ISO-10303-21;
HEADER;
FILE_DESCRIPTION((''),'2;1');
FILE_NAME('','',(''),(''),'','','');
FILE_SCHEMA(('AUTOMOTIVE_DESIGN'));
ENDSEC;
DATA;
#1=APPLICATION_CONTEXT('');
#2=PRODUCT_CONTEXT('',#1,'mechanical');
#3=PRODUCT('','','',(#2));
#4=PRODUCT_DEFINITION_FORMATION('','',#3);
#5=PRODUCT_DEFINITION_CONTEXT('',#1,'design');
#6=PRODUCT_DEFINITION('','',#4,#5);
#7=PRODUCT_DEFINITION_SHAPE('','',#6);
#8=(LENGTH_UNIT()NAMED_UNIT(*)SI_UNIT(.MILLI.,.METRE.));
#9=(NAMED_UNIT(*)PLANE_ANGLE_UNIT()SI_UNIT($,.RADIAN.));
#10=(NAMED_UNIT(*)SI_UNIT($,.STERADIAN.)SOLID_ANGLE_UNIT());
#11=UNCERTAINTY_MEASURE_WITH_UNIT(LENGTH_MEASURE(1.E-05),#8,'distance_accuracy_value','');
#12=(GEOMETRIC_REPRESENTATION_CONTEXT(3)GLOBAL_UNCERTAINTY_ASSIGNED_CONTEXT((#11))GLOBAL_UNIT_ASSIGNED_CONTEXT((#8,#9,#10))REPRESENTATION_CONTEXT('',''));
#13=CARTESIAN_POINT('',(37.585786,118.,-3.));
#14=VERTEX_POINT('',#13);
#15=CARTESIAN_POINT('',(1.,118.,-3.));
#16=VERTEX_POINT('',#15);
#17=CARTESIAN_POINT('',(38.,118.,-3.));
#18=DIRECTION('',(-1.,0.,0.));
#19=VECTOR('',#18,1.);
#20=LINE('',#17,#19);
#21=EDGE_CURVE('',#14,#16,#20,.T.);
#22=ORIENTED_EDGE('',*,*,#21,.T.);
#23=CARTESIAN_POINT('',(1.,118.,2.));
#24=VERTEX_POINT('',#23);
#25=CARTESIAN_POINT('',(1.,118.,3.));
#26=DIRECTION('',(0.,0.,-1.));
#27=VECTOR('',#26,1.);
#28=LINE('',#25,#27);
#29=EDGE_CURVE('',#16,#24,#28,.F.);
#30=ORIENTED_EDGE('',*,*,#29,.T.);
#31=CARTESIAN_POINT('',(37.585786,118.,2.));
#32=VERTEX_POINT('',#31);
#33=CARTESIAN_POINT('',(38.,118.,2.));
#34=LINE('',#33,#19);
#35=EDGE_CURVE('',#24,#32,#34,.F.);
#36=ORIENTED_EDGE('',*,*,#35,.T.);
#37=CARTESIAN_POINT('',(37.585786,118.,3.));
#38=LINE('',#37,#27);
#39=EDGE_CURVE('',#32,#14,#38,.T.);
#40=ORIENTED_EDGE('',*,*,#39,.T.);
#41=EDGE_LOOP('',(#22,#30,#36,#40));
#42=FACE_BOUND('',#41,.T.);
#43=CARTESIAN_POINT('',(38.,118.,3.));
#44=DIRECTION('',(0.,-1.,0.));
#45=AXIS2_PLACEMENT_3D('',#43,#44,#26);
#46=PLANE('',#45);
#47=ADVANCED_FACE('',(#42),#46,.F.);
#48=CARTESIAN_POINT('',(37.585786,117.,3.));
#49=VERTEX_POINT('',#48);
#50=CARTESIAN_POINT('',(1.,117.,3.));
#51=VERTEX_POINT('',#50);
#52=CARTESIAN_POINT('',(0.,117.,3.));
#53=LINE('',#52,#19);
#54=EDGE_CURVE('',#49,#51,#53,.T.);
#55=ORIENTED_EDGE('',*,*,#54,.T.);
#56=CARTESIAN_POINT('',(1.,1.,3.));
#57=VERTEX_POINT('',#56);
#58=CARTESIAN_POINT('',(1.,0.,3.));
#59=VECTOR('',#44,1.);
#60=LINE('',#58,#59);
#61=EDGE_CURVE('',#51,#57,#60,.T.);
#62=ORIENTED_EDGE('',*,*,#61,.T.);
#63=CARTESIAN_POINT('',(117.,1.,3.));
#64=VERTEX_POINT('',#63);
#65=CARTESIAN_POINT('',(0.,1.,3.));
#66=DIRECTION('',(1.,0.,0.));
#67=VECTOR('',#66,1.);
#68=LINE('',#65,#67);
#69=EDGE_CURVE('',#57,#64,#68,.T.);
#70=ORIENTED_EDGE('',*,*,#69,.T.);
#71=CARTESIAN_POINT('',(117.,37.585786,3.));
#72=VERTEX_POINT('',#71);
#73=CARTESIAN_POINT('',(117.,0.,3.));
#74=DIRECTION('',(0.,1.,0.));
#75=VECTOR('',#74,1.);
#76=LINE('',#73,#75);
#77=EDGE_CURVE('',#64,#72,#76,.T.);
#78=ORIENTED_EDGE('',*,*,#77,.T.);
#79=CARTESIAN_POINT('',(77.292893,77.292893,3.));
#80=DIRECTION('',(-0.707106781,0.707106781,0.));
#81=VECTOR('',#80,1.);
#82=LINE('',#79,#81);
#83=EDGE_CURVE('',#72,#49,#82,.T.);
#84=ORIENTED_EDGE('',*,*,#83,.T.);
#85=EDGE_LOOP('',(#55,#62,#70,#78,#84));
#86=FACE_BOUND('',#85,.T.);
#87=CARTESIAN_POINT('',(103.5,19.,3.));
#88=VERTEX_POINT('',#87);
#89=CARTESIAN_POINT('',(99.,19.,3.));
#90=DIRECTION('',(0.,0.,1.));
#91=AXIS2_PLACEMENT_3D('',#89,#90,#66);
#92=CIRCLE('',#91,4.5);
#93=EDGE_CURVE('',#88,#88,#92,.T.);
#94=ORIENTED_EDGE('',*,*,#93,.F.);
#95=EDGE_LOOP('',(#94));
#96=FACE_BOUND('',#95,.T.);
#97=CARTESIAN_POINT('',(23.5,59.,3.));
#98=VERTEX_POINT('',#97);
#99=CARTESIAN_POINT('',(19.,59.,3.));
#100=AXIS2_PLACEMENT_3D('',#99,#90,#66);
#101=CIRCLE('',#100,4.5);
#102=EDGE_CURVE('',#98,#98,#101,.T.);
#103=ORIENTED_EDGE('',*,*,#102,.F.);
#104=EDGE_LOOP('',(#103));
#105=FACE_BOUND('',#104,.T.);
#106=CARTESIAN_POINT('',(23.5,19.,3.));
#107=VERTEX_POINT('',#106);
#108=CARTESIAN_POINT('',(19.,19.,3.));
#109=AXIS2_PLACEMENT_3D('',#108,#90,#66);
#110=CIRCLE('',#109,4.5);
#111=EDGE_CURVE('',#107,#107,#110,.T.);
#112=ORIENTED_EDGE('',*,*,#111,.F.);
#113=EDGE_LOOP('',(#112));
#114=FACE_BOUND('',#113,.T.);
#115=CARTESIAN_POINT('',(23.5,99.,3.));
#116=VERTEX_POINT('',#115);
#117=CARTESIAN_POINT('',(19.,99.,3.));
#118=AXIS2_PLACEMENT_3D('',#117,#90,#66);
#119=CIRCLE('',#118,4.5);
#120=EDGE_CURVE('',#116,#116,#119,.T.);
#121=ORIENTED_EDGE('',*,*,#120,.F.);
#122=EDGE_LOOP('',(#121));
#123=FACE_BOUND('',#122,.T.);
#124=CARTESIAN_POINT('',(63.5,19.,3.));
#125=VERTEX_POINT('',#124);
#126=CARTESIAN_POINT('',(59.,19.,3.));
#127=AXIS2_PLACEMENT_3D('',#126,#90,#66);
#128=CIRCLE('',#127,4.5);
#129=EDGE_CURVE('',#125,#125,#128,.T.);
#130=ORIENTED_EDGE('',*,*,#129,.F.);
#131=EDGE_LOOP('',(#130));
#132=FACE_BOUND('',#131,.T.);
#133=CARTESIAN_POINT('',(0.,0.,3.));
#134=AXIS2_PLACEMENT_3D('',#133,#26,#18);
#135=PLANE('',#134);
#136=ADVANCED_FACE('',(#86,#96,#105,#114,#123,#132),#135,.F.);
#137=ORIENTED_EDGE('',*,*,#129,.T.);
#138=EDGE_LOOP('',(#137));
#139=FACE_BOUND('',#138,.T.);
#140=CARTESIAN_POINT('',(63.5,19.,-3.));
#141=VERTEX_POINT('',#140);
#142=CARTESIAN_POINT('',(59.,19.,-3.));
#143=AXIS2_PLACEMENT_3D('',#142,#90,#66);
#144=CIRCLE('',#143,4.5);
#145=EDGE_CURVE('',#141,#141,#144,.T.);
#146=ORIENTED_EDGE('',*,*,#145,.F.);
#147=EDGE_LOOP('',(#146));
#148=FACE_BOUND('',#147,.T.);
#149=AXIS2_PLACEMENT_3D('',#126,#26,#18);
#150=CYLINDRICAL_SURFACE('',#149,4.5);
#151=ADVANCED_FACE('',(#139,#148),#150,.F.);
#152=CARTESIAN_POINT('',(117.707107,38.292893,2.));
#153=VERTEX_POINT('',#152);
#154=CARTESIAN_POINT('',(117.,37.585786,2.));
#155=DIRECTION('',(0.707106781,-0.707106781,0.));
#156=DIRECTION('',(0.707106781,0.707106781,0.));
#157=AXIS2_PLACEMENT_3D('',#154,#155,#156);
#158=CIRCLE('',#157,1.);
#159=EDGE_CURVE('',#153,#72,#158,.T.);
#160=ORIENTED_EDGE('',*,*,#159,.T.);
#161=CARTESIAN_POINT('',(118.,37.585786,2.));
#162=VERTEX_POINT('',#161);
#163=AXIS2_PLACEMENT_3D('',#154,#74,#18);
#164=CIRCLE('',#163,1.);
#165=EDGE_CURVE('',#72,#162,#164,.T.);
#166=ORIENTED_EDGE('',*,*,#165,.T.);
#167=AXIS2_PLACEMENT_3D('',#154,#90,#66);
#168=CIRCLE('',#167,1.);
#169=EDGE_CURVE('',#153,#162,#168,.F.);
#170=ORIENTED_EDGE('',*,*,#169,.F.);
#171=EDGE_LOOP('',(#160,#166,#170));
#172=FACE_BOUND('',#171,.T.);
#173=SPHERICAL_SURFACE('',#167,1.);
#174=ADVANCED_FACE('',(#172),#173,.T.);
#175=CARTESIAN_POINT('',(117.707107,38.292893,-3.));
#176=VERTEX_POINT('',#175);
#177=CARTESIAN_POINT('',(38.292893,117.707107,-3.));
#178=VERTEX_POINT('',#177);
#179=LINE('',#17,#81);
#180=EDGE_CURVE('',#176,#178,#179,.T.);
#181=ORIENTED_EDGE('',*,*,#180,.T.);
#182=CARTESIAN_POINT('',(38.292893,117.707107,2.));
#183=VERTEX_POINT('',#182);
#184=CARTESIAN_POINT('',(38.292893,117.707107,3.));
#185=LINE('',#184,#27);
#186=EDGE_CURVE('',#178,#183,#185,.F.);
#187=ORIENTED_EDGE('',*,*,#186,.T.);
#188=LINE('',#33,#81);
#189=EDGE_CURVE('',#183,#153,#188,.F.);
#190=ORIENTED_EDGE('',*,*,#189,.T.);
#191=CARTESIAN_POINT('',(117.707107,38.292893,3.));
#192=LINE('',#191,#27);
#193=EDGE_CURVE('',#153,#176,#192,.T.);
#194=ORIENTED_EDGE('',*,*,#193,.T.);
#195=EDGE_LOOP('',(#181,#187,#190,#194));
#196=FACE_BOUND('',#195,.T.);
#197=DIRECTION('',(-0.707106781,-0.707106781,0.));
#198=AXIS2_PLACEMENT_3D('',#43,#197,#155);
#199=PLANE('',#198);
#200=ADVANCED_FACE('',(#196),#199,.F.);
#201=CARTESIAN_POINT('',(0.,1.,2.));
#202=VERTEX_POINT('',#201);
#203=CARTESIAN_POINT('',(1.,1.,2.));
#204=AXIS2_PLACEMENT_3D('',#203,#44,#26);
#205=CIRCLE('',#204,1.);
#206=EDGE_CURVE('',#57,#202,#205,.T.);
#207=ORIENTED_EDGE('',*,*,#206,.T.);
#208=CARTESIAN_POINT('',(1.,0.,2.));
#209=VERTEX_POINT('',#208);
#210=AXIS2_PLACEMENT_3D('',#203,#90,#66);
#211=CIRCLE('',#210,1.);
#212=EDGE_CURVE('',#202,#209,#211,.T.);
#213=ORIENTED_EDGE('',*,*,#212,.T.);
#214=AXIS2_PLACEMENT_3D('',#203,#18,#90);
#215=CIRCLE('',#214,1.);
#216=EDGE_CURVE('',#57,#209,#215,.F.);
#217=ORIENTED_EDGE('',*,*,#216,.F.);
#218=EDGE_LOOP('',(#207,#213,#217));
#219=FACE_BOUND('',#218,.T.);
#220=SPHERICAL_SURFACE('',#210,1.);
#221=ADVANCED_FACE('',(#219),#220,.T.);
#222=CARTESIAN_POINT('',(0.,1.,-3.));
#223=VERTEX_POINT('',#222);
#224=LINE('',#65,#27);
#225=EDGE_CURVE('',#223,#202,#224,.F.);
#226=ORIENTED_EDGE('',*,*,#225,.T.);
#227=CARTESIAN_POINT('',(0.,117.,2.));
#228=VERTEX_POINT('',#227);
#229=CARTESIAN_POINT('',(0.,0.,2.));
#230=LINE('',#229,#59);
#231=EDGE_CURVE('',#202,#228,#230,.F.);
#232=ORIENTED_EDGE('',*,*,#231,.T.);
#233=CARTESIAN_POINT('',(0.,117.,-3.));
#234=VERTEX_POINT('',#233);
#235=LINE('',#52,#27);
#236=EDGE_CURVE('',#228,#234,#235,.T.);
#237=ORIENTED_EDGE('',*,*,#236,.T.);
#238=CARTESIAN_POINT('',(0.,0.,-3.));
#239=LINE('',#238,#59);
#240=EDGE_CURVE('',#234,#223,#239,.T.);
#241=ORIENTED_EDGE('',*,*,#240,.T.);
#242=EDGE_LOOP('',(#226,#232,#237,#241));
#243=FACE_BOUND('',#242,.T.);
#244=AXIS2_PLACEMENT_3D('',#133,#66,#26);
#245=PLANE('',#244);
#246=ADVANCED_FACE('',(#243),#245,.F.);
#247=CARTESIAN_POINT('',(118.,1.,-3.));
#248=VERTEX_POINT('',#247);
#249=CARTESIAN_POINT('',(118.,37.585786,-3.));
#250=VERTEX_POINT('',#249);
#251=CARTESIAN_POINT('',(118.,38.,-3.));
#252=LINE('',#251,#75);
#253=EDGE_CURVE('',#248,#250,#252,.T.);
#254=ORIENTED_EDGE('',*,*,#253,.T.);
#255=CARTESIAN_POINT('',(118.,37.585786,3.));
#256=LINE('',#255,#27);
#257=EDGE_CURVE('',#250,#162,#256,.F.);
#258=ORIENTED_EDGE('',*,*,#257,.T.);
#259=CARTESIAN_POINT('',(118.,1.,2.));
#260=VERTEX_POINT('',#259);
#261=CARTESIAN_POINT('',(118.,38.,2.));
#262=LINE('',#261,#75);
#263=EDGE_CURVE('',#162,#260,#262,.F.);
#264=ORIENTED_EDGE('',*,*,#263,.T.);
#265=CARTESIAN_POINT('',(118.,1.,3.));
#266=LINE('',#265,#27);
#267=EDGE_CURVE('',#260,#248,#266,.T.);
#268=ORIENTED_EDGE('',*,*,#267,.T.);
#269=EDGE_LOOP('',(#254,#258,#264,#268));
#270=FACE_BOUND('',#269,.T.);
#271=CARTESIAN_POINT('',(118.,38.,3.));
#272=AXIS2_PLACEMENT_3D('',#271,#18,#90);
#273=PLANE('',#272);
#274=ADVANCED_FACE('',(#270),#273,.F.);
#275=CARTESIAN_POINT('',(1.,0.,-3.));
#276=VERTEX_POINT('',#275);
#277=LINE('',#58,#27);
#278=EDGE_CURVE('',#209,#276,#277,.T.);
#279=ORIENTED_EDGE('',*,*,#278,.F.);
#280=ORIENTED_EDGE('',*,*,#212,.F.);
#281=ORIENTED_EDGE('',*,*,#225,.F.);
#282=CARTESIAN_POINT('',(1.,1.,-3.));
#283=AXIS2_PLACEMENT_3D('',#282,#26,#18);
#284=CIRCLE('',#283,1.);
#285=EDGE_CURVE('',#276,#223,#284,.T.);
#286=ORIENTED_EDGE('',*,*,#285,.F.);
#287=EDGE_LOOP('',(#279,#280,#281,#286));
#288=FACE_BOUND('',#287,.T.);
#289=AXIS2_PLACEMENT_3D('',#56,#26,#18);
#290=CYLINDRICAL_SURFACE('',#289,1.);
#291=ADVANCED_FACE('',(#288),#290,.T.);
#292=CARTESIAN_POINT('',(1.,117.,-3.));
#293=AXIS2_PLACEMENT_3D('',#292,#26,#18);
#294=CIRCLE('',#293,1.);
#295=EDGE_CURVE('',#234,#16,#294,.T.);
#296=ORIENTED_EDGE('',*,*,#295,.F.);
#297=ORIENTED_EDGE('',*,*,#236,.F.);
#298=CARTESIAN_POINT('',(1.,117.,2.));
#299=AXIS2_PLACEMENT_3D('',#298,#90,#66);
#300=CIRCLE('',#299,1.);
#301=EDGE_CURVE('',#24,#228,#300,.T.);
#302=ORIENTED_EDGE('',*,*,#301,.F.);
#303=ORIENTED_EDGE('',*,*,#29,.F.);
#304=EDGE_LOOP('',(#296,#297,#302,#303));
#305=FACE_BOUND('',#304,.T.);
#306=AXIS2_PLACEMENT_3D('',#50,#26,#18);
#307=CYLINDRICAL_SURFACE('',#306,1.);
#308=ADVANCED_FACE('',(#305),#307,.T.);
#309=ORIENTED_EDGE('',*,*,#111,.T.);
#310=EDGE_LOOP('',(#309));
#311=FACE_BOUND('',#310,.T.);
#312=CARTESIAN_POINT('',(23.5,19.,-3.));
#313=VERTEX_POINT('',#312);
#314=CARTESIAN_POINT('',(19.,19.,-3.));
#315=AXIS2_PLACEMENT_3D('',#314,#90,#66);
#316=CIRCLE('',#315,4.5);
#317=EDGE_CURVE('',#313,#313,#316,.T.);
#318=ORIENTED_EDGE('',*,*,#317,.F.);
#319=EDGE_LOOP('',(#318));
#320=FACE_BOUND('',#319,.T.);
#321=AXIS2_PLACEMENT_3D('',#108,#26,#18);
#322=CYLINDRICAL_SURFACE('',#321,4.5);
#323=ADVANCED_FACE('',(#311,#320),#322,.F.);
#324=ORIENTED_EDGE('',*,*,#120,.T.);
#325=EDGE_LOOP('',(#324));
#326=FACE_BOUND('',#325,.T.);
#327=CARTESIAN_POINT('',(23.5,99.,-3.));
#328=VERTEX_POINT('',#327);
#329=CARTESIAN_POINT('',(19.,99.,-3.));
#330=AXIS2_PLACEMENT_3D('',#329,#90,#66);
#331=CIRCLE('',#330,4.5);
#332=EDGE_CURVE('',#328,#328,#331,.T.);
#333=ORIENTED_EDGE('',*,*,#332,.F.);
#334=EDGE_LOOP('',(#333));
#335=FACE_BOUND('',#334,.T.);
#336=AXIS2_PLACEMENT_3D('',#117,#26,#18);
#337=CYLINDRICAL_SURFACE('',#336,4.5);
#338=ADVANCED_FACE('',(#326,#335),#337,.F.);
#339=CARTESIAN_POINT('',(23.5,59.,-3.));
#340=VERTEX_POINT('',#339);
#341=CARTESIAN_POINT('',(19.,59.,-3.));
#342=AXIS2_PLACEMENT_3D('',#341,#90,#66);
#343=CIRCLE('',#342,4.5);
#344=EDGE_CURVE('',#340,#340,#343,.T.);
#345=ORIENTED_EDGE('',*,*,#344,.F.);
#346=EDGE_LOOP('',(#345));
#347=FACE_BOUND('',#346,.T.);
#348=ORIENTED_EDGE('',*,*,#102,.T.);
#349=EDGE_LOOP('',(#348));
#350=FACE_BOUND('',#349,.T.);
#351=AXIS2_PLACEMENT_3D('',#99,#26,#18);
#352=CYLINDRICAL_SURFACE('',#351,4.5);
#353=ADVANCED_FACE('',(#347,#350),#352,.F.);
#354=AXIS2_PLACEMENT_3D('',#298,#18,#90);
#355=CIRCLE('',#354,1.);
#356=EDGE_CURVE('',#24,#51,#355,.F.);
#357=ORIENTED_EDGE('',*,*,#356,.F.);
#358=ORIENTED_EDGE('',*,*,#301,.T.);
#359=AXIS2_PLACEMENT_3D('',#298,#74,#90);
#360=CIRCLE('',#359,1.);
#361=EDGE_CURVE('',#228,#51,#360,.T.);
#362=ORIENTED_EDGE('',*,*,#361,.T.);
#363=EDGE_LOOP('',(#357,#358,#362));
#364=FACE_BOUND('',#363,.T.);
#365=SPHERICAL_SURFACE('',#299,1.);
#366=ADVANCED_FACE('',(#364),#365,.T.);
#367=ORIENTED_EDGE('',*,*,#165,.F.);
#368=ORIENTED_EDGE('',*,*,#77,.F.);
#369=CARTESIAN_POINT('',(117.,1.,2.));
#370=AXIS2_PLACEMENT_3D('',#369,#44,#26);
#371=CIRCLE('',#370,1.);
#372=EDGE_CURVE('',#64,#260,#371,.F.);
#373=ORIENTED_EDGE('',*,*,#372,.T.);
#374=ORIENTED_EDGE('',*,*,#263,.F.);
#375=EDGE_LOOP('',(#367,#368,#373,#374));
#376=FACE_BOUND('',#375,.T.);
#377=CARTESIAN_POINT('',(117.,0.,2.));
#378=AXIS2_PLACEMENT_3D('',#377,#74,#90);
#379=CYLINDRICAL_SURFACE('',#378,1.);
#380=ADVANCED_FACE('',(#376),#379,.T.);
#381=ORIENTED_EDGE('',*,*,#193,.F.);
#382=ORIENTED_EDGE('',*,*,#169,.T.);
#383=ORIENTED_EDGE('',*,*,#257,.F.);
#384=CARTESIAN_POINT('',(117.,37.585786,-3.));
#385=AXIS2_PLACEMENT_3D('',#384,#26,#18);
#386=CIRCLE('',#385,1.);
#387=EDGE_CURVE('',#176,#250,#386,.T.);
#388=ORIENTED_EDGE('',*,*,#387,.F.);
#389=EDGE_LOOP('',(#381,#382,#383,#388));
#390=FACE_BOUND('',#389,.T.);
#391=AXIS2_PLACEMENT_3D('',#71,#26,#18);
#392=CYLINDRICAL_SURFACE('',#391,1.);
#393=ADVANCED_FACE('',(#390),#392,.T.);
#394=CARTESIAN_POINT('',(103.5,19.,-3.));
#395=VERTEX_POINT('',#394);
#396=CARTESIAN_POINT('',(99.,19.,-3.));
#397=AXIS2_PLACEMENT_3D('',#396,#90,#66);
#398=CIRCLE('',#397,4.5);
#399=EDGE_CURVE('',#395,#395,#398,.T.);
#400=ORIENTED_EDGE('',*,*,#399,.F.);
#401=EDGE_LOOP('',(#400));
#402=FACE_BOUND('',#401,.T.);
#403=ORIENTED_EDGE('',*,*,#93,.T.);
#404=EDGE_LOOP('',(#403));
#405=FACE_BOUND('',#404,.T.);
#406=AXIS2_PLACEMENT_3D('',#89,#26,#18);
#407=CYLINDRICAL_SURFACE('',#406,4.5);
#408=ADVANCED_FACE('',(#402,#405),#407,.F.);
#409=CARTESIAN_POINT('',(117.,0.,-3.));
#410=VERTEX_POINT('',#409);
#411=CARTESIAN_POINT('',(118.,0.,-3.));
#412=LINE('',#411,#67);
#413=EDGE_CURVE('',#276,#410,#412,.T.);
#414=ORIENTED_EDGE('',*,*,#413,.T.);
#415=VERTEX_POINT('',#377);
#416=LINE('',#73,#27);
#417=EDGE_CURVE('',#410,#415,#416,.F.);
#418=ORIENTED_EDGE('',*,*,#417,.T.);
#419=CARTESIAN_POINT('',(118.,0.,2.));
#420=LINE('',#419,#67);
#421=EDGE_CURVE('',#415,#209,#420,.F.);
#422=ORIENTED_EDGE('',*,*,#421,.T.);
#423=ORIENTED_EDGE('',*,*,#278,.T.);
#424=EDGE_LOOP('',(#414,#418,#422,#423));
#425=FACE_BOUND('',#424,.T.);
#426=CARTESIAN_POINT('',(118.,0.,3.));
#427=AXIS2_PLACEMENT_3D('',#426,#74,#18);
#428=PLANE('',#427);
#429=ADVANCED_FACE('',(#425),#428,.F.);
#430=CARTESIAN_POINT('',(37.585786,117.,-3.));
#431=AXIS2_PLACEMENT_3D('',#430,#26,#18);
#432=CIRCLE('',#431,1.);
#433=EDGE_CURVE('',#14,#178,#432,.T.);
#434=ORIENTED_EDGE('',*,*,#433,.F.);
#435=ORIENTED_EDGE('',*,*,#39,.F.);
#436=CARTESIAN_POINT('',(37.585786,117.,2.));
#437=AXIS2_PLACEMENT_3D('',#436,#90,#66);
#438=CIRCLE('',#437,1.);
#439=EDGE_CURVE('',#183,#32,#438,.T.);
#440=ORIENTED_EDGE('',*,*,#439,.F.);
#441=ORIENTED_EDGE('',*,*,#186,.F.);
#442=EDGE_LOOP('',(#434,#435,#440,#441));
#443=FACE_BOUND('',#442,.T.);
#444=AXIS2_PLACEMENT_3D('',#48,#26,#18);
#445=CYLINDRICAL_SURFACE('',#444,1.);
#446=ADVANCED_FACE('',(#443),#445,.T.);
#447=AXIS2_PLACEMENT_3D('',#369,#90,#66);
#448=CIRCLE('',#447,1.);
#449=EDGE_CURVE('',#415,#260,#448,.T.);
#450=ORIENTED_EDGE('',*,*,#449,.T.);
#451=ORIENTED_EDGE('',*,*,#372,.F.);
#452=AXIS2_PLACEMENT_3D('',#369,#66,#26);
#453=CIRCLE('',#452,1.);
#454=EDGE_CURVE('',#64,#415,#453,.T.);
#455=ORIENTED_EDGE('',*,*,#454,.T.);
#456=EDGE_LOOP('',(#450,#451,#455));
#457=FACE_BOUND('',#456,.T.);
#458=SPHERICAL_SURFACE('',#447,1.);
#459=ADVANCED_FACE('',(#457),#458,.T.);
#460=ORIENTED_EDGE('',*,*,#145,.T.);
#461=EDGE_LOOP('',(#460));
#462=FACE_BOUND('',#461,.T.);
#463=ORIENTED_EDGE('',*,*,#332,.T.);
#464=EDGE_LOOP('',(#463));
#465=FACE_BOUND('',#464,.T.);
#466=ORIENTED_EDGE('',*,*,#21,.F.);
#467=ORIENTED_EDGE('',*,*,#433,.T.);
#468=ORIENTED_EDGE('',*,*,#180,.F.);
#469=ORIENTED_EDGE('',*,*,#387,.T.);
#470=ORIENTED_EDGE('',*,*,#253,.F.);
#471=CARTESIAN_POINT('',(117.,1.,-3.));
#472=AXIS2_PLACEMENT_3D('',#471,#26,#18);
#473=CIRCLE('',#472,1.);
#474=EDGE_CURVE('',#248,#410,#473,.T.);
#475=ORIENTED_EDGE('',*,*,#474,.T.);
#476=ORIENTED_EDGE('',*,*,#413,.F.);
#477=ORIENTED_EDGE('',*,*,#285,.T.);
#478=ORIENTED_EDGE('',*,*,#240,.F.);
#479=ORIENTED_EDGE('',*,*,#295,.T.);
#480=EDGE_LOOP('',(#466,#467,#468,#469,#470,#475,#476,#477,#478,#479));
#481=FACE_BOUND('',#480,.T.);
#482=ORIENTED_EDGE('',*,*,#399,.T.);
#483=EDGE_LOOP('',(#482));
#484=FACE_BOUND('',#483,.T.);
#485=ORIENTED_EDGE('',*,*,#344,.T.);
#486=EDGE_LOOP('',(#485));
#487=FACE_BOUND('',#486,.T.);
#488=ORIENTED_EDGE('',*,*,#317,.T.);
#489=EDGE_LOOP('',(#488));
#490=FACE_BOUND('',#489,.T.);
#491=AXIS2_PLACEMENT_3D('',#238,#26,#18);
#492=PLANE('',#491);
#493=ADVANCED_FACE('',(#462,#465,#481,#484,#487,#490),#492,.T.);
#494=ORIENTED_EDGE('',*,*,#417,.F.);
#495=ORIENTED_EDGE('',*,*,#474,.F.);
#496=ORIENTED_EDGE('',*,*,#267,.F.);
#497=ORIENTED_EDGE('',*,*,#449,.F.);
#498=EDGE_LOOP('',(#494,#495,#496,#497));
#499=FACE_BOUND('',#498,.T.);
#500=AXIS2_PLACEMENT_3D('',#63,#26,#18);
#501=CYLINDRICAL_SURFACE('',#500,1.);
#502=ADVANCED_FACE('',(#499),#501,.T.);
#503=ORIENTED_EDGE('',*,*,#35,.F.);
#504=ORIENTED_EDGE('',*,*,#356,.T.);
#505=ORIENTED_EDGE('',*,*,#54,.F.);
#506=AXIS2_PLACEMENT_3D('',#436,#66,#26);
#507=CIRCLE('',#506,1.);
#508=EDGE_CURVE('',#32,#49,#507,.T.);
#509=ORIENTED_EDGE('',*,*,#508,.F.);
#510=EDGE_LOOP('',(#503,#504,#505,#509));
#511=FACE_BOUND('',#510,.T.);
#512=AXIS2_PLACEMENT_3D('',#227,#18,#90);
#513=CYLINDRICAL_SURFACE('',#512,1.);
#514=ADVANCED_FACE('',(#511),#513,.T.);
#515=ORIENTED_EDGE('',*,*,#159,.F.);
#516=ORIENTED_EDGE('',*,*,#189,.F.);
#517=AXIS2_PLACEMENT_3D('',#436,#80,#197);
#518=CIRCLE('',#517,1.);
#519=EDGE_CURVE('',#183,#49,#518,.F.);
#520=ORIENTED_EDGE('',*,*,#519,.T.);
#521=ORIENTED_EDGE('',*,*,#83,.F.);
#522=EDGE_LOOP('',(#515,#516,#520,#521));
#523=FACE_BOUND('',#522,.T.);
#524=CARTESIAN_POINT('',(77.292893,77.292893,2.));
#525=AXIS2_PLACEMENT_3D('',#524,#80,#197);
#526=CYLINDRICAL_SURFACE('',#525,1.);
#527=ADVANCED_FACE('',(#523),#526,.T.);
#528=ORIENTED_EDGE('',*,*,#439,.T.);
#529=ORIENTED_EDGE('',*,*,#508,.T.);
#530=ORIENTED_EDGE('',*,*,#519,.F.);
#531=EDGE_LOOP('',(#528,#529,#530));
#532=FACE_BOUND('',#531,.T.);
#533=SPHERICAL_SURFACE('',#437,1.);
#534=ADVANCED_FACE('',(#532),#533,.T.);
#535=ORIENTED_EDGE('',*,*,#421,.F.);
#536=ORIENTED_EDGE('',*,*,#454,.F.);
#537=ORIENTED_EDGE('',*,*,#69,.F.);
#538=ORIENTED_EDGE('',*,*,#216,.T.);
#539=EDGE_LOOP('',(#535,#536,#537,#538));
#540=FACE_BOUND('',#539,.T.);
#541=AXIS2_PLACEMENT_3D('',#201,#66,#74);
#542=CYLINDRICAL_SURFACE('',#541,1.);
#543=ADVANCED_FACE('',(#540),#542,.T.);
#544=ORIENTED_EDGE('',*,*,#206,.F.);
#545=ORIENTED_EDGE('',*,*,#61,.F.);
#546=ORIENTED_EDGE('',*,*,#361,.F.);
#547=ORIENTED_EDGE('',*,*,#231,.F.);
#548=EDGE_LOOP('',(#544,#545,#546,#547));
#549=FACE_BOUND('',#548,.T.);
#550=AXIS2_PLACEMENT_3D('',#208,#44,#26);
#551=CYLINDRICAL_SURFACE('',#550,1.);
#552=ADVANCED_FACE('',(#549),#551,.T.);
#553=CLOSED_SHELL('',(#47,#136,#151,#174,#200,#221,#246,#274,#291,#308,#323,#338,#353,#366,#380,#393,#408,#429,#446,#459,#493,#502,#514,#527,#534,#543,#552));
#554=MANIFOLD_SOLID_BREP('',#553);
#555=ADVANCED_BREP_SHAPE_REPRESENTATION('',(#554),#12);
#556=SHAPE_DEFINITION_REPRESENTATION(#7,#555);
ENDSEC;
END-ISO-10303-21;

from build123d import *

# Parameters (mm, degrees)
SKETCH1_R           = 4.5
BOSS_EXTRUDE1_DEPTH = 3
FILLET1_R           = 1


with BuildPart() as part:
    # Sketch1 → Boss-Extrude1 (new, symmetric)
    with BuildSketch(Plane.XY):
        Polygon((0, 0), (0, 118), (38, 118), (118, 38), (118, 0), align=None)
        with Locations((19, 19)):
            Circle(SKETCH1_R, mode=Mode.SUBTRACT)
        with Locations((59, 19)):
            Circle(SKETCH1_R, mode=Mode.SUBTRACT)
        with Locations((99, 19)):
            Circle(SKETCH1_R, mode=Mode.SUBTRACT)
        with Locations((19, 59)):
            Circle(SKETCH1_R, mode=Mode.SUBTRACT)
        with Locations((19, 99)):
            Circle(SKETCH1_R, mode=Mode.SUBTRACT)
    extrude(amount=BOSS_EXTRUDE1_DEPTH, both=True)

    # Fillet1
    fillet1_edges = [part.edges().sort_by_distance(p)[0] for p in [
        (78, 78, 3),
        (19, 118, 3),
        (0, 59, 3),
        (59, 0, 3),
        (118, 19, 3),
        (0, 0, 0),
        (0, 118, 0),
        (38, 118, 0),
        (118, 38, 0),
        (118, 0, 0),
    ]]
    fillet(fillet1_edges, radius=FILLET1_R)


solid = part.part
